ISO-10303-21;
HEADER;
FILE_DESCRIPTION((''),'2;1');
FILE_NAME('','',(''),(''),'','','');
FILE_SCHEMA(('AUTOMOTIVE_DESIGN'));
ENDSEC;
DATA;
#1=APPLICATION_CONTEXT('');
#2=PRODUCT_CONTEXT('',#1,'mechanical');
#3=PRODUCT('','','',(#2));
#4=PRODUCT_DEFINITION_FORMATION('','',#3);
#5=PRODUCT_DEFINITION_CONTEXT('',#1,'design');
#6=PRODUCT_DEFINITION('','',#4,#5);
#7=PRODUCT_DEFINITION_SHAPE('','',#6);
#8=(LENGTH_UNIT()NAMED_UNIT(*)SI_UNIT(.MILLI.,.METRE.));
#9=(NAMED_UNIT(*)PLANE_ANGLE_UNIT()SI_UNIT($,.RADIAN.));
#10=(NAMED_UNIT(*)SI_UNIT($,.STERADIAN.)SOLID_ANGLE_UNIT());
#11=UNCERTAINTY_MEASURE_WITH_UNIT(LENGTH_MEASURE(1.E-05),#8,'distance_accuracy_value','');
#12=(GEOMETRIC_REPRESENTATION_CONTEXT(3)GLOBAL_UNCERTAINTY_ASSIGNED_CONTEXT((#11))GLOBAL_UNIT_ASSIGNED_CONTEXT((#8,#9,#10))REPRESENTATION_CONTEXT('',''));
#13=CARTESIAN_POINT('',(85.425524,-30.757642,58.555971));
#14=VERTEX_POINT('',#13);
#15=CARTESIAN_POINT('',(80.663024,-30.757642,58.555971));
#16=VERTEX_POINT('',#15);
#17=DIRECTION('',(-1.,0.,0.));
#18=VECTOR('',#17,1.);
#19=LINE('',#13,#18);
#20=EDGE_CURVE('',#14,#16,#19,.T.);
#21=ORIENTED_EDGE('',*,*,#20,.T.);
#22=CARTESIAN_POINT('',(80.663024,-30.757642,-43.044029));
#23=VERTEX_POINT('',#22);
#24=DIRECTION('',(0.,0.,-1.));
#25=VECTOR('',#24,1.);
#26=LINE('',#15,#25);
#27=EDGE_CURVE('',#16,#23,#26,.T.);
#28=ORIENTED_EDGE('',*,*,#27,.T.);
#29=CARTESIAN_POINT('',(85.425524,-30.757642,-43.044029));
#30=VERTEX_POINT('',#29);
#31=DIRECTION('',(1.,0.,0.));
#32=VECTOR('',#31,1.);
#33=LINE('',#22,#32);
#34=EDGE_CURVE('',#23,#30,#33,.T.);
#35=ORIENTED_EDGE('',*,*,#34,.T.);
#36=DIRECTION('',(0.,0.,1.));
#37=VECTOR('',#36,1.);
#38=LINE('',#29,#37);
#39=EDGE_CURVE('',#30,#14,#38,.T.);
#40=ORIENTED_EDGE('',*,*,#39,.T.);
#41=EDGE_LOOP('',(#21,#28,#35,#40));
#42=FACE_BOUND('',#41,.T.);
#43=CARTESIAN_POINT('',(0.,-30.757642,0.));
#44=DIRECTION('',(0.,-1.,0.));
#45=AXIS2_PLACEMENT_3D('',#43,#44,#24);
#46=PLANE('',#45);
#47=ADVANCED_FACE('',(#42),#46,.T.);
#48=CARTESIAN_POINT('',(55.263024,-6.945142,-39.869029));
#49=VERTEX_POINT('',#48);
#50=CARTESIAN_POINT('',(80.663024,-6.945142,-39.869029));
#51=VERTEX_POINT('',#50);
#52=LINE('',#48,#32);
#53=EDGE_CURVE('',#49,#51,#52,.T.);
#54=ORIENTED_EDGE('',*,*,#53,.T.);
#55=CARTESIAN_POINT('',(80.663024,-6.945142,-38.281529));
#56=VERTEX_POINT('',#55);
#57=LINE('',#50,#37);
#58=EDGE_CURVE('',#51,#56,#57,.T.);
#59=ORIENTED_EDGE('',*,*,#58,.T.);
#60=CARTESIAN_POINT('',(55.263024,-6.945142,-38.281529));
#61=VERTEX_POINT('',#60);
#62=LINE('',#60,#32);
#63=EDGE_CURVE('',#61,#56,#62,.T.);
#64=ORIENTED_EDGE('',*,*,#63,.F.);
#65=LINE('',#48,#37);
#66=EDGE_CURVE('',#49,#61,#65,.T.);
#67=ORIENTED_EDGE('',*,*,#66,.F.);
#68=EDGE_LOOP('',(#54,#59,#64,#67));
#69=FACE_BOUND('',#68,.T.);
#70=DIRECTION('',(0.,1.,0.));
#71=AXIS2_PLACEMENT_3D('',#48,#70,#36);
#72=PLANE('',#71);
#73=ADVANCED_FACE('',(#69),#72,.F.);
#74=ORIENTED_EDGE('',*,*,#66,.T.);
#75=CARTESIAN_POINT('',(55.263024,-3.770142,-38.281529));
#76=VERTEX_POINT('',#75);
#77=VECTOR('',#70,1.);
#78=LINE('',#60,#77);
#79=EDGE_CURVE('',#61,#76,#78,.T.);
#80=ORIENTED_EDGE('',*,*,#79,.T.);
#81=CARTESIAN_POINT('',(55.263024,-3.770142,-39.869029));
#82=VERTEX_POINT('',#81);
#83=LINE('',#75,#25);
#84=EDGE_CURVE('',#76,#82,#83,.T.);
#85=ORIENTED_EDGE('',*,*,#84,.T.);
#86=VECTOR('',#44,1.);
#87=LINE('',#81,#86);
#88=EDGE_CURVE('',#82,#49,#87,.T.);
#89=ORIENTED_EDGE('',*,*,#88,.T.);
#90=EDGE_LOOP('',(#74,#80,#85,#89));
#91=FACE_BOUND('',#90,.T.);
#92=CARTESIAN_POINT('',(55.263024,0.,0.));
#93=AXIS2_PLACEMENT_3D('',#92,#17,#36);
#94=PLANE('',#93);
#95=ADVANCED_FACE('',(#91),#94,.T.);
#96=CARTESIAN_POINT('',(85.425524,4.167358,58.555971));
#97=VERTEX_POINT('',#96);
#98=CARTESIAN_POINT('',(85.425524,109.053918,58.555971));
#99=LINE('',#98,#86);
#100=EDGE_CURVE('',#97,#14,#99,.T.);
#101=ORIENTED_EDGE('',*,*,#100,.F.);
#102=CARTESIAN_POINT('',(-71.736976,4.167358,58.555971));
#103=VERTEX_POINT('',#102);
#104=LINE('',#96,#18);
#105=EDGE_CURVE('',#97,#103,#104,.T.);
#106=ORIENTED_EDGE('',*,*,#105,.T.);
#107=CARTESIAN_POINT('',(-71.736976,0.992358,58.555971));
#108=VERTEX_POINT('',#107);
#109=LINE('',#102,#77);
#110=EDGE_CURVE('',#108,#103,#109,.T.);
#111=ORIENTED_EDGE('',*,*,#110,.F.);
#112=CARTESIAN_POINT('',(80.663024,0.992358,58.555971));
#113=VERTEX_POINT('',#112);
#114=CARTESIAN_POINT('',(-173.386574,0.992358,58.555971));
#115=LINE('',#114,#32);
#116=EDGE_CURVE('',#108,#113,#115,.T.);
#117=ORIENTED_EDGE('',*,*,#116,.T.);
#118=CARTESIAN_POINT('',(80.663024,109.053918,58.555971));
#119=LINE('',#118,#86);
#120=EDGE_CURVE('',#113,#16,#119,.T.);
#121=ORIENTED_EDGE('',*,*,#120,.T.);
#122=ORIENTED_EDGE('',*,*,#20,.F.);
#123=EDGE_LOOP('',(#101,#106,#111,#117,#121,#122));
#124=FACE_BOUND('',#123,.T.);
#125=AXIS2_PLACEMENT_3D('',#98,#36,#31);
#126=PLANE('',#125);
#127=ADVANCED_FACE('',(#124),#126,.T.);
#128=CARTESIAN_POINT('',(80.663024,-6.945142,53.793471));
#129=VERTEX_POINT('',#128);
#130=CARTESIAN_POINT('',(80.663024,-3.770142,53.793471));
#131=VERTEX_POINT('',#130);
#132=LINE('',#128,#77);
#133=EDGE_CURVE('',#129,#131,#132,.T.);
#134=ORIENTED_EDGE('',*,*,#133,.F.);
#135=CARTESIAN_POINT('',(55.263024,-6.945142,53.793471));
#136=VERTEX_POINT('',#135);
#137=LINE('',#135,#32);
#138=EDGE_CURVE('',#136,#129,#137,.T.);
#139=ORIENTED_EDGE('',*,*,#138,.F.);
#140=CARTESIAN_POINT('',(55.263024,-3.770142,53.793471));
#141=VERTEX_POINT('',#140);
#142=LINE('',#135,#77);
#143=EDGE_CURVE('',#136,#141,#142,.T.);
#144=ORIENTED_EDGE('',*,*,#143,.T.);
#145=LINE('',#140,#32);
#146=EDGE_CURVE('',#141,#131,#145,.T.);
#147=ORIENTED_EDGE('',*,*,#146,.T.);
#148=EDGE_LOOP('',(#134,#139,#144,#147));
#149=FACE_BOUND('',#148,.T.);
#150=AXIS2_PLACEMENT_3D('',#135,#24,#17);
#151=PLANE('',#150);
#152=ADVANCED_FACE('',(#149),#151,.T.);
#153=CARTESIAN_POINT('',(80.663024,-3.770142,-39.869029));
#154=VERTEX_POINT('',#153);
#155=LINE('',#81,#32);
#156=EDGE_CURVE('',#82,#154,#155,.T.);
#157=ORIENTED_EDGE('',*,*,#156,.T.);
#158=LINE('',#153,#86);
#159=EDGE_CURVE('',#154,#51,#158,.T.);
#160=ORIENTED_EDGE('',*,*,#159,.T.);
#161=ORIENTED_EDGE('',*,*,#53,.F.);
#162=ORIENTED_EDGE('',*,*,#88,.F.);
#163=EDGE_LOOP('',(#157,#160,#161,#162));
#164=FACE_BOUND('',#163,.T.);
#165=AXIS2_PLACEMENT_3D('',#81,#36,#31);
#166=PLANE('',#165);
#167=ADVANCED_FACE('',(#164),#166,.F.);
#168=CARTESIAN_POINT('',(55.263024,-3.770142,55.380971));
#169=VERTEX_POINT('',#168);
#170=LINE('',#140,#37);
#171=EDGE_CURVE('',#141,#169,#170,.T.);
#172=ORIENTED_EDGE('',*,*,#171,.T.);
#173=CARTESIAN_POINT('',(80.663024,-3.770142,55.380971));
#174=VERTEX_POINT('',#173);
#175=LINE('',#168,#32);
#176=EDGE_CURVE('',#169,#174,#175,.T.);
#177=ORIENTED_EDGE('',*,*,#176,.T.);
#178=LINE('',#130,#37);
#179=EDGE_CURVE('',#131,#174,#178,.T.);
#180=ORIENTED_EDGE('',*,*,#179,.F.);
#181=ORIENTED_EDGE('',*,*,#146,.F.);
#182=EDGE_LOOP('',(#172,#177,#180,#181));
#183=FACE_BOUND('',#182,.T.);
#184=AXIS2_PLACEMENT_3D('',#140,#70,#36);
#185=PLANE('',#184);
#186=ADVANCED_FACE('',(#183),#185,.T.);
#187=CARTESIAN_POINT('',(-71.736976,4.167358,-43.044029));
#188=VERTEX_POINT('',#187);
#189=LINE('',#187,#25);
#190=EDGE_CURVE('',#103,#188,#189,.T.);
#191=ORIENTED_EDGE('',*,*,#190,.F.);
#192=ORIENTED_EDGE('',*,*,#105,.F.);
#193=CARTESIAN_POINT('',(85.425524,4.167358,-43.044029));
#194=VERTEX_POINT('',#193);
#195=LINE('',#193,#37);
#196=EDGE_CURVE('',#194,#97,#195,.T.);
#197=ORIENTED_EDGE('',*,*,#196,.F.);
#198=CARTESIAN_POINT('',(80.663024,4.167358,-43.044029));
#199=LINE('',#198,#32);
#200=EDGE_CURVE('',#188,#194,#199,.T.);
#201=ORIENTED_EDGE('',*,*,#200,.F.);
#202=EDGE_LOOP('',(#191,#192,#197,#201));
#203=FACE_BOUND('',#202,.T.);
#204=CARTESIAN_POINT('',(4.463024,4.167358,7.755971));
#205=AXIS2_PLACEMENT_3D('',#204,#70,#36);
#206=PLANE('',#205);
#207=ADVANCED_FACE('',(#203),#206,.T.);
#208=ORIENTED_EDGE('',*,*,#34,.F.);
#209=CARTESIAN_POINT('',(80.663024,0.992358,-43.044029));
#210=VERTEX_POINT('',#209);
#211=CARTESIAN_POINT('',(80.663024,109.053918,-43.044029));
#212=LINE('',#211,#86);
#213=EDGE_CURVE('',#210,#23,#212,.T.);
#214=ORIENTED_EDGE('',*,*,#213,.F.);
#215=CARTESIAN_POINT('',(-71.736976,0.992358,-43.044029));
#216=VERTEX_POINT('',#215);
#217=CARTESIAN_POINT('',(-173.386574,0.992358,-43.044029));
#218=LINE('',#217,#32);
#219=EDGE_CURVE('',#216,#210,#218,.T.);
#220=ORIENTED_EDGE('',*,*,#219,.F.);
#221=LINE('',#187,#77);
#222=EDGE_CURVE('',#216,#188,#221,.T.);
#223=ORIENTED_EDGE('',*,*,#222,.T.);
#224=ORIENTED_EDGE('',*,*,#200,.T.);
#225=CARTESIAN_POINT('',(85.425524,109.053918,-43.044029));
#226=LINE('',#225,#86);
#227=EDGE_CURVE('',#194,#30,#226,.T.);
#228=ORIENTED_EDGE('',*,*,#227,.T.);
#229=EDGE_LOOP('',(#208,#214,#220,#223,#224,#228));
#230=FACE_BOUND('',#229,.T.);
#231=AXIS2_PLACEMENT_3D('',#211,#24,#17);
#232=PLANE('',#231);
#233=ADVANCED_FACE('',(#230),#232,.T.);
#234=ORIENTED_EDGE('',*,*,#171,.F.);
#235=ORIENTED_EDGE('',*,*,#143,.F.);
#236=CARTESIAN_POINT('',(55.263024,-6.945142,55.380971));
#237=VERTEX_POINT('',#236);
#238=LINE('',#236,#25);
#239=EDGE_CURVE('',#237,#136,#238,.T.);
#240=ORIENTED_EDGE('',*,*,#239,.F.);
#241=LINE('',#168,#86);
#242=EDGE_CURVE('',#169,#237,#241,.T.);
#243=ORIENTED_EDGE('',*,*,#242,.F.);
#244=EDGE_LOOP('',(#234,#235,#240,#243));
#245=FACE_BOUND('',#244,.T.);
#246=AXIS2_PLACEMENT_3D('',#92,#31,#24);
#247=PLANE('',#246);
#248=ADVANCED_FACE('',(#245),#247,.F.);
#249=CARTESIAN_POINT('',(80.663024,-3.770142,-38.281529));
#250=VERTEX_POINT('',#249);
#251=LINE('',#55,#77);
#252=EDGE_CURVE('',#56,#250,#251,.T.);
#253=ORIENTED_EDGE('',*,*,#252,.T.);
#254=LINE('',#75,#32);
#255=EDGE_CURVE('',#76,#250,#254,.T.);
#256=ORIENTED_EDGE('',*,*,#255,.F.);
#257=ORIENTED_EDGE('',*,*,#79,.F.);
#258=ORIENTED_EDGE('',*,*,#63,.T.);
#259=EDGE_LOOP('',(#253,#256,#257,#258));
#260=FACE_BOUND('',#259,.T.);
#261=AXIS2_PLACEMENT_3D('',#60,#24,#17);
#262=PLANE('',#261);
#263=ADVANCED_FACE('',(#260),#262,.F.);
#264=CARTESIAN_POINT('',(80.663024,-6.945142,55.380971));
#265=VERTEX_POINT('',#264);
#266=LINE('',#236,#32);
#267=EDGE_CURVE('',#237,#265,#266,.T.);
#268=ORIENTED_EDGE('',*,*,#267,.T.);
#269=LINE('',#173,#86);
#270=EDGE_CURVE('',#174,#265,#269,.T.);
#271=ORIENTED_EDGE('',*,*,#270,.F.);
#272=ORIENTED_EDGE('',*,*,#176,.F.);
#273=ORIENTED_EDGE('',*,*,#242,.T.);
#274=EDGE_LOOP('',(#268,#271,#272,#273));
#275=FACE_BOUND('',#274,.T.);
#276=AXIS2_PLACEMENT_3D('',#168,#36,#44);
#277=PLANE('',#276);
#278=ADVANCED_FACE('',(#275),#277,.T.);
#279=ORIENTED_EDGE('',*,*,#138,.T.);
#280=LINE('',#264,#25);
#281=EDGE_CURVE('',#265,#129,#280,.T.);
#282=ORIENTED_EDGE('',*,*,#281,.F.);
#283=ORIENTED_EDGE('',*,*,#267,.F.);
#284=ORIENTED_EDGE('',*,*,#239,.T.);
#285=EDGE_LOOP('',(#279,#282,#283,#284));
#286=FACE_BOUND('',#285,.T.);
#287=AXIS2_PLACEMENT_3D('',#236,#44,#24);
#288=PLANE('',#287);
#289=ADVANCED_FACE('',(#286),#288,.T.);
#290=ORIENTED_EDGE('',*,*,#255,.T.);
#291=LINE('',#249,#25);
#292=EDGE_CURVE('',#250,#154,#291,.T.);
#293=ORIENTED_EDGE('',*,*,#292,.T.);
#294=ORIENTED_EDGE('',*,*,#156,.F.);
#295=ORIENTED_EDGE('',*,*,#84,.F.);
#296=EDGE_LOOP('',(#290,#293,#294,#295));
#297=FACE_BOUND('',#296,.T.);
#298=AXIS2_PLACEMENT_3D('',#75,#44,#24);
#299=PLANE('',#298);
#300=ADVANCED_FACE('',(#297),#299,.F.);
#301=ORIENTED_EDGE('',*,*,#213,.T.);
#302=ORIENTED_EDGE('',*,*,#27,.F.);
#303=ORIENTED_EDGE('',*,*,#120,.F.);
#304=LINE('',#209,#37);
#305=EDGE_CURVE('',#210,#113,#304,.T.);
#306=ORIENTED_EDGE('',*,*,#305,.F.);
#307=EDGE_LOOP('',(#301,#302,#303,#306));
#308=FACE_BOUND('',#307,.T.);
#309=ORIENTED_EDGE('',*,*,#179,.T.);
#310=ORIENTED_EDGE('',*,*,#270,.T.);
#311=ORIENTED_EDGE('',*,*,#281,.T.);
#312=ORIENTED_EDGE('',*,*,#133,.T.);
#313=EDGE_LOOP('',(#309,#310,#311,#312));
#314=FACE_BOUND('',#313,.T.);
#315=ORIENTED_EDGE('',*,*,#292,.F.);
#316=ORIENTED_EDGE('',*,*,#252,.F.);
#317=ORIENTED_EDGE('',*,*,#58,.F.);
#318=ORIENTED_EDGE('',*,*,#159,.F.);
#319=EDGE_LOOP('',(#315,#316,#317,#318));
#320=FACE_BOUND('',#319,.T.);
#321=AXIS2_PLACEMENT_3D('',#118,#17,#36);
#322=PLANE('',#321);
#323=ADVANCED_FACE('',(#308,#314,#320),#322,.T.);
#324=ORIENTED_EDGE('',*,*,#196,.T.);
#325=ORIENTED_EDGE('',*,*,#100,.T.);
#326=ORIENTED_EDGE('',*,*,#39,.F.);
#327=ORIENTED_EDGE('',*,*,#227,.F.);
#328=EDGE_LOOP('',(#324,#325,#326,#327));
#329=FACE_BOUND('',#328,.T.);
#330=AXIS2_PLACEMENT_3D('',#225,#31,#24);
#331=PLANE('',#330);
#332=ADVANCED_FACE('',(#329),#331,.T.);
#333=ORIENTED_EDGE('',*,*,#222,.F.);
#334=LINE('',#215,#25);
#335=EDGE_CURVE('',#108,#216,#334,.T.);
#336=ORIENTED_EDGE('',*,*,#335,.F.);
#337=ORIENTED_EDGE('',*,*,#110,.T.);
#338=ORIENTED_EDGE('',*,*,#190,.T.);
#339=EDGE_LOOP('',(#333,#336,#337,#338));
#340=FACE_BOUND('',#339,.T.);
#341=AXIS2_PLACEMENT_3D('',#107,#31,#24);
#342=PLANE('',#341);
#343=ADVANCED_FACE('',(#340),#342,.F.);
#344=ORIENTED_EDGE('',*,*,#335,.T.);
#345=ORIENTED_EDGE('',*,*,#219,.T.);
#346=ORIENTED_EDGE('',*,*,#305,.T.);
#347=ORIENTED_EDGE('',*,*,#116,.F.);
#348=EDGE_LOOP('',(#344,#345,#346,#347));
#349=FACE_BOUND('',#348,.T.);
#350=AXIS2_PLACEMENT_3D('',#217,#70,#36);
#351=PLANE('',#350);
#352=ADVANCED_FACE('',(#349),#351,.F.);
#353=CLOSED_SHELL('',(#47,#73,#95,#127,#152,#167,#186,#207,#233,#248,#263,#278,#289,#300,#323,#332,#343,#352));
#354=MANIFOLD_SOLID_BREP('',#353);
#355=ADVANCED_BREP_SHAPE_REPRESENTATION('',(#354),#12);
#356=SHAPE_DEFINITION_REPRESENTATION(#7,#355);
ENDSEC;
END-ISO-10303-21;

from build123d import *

# Parameters (mm, degrees)
SKETCH1_W           = 4.7625
SKETCH1_H           = 101.6
BOSS_EXTRUDE1_DEPTH = 34.925
SKETCH2_W           = 101.6
SKETCH2_H           = 3.175
BOSS_EXTRUDE2_DEPTH = 152.4
SKETCH2_4_W         = 1.5875
SKETCH2_4_H         = 3.175
BOSS_EXTRUDE3_DEPTH = 25.4


with BuildPart() as part:
    # Sketch1 → Boss-Extrude1 (new body)
    with BuildSketch(Plane(origin=(0, -30.757642186, 0), x_dir=(-1, 0, 0), z_dir=(0, -1, 0))):
        with Locations((-83.04427371, -7.755970668)):
            Rectangle(SKETCH1_W, SKETCH1_H)
    extrude(amount=-BOSS_EXTRUDE1_DEPTH)

    # Sketch2 → Boss-Extrude2 (add)
    with BuildSketch(Plane.ZY.offset(-80.66302371)):
        with Locations((7.755970668, 2.579857814)):
            Rectangle(SKETCH2_W, SKETCH2_H)
    extrude(amount=BOSS_EXTRUDE2_DEPTH)

    # Sketch2<4> → Boss-Extrude3 (add)
    with BuildSketch(Plane.ZY.offset(-80.66302371)):
        with Locations((-39.075279332, -5.357642186)):
            Rectangle(SKETCH2_4_W, SKETCH2_4_H)
        with Locations((54.587220668, -5.357642186)):
            Rectangle(SKETCH2_4_W, SKETCH2_4_H)
    extrude(amount=BOSS_EXTRUDE3_DEPTH)


solid = part.part
